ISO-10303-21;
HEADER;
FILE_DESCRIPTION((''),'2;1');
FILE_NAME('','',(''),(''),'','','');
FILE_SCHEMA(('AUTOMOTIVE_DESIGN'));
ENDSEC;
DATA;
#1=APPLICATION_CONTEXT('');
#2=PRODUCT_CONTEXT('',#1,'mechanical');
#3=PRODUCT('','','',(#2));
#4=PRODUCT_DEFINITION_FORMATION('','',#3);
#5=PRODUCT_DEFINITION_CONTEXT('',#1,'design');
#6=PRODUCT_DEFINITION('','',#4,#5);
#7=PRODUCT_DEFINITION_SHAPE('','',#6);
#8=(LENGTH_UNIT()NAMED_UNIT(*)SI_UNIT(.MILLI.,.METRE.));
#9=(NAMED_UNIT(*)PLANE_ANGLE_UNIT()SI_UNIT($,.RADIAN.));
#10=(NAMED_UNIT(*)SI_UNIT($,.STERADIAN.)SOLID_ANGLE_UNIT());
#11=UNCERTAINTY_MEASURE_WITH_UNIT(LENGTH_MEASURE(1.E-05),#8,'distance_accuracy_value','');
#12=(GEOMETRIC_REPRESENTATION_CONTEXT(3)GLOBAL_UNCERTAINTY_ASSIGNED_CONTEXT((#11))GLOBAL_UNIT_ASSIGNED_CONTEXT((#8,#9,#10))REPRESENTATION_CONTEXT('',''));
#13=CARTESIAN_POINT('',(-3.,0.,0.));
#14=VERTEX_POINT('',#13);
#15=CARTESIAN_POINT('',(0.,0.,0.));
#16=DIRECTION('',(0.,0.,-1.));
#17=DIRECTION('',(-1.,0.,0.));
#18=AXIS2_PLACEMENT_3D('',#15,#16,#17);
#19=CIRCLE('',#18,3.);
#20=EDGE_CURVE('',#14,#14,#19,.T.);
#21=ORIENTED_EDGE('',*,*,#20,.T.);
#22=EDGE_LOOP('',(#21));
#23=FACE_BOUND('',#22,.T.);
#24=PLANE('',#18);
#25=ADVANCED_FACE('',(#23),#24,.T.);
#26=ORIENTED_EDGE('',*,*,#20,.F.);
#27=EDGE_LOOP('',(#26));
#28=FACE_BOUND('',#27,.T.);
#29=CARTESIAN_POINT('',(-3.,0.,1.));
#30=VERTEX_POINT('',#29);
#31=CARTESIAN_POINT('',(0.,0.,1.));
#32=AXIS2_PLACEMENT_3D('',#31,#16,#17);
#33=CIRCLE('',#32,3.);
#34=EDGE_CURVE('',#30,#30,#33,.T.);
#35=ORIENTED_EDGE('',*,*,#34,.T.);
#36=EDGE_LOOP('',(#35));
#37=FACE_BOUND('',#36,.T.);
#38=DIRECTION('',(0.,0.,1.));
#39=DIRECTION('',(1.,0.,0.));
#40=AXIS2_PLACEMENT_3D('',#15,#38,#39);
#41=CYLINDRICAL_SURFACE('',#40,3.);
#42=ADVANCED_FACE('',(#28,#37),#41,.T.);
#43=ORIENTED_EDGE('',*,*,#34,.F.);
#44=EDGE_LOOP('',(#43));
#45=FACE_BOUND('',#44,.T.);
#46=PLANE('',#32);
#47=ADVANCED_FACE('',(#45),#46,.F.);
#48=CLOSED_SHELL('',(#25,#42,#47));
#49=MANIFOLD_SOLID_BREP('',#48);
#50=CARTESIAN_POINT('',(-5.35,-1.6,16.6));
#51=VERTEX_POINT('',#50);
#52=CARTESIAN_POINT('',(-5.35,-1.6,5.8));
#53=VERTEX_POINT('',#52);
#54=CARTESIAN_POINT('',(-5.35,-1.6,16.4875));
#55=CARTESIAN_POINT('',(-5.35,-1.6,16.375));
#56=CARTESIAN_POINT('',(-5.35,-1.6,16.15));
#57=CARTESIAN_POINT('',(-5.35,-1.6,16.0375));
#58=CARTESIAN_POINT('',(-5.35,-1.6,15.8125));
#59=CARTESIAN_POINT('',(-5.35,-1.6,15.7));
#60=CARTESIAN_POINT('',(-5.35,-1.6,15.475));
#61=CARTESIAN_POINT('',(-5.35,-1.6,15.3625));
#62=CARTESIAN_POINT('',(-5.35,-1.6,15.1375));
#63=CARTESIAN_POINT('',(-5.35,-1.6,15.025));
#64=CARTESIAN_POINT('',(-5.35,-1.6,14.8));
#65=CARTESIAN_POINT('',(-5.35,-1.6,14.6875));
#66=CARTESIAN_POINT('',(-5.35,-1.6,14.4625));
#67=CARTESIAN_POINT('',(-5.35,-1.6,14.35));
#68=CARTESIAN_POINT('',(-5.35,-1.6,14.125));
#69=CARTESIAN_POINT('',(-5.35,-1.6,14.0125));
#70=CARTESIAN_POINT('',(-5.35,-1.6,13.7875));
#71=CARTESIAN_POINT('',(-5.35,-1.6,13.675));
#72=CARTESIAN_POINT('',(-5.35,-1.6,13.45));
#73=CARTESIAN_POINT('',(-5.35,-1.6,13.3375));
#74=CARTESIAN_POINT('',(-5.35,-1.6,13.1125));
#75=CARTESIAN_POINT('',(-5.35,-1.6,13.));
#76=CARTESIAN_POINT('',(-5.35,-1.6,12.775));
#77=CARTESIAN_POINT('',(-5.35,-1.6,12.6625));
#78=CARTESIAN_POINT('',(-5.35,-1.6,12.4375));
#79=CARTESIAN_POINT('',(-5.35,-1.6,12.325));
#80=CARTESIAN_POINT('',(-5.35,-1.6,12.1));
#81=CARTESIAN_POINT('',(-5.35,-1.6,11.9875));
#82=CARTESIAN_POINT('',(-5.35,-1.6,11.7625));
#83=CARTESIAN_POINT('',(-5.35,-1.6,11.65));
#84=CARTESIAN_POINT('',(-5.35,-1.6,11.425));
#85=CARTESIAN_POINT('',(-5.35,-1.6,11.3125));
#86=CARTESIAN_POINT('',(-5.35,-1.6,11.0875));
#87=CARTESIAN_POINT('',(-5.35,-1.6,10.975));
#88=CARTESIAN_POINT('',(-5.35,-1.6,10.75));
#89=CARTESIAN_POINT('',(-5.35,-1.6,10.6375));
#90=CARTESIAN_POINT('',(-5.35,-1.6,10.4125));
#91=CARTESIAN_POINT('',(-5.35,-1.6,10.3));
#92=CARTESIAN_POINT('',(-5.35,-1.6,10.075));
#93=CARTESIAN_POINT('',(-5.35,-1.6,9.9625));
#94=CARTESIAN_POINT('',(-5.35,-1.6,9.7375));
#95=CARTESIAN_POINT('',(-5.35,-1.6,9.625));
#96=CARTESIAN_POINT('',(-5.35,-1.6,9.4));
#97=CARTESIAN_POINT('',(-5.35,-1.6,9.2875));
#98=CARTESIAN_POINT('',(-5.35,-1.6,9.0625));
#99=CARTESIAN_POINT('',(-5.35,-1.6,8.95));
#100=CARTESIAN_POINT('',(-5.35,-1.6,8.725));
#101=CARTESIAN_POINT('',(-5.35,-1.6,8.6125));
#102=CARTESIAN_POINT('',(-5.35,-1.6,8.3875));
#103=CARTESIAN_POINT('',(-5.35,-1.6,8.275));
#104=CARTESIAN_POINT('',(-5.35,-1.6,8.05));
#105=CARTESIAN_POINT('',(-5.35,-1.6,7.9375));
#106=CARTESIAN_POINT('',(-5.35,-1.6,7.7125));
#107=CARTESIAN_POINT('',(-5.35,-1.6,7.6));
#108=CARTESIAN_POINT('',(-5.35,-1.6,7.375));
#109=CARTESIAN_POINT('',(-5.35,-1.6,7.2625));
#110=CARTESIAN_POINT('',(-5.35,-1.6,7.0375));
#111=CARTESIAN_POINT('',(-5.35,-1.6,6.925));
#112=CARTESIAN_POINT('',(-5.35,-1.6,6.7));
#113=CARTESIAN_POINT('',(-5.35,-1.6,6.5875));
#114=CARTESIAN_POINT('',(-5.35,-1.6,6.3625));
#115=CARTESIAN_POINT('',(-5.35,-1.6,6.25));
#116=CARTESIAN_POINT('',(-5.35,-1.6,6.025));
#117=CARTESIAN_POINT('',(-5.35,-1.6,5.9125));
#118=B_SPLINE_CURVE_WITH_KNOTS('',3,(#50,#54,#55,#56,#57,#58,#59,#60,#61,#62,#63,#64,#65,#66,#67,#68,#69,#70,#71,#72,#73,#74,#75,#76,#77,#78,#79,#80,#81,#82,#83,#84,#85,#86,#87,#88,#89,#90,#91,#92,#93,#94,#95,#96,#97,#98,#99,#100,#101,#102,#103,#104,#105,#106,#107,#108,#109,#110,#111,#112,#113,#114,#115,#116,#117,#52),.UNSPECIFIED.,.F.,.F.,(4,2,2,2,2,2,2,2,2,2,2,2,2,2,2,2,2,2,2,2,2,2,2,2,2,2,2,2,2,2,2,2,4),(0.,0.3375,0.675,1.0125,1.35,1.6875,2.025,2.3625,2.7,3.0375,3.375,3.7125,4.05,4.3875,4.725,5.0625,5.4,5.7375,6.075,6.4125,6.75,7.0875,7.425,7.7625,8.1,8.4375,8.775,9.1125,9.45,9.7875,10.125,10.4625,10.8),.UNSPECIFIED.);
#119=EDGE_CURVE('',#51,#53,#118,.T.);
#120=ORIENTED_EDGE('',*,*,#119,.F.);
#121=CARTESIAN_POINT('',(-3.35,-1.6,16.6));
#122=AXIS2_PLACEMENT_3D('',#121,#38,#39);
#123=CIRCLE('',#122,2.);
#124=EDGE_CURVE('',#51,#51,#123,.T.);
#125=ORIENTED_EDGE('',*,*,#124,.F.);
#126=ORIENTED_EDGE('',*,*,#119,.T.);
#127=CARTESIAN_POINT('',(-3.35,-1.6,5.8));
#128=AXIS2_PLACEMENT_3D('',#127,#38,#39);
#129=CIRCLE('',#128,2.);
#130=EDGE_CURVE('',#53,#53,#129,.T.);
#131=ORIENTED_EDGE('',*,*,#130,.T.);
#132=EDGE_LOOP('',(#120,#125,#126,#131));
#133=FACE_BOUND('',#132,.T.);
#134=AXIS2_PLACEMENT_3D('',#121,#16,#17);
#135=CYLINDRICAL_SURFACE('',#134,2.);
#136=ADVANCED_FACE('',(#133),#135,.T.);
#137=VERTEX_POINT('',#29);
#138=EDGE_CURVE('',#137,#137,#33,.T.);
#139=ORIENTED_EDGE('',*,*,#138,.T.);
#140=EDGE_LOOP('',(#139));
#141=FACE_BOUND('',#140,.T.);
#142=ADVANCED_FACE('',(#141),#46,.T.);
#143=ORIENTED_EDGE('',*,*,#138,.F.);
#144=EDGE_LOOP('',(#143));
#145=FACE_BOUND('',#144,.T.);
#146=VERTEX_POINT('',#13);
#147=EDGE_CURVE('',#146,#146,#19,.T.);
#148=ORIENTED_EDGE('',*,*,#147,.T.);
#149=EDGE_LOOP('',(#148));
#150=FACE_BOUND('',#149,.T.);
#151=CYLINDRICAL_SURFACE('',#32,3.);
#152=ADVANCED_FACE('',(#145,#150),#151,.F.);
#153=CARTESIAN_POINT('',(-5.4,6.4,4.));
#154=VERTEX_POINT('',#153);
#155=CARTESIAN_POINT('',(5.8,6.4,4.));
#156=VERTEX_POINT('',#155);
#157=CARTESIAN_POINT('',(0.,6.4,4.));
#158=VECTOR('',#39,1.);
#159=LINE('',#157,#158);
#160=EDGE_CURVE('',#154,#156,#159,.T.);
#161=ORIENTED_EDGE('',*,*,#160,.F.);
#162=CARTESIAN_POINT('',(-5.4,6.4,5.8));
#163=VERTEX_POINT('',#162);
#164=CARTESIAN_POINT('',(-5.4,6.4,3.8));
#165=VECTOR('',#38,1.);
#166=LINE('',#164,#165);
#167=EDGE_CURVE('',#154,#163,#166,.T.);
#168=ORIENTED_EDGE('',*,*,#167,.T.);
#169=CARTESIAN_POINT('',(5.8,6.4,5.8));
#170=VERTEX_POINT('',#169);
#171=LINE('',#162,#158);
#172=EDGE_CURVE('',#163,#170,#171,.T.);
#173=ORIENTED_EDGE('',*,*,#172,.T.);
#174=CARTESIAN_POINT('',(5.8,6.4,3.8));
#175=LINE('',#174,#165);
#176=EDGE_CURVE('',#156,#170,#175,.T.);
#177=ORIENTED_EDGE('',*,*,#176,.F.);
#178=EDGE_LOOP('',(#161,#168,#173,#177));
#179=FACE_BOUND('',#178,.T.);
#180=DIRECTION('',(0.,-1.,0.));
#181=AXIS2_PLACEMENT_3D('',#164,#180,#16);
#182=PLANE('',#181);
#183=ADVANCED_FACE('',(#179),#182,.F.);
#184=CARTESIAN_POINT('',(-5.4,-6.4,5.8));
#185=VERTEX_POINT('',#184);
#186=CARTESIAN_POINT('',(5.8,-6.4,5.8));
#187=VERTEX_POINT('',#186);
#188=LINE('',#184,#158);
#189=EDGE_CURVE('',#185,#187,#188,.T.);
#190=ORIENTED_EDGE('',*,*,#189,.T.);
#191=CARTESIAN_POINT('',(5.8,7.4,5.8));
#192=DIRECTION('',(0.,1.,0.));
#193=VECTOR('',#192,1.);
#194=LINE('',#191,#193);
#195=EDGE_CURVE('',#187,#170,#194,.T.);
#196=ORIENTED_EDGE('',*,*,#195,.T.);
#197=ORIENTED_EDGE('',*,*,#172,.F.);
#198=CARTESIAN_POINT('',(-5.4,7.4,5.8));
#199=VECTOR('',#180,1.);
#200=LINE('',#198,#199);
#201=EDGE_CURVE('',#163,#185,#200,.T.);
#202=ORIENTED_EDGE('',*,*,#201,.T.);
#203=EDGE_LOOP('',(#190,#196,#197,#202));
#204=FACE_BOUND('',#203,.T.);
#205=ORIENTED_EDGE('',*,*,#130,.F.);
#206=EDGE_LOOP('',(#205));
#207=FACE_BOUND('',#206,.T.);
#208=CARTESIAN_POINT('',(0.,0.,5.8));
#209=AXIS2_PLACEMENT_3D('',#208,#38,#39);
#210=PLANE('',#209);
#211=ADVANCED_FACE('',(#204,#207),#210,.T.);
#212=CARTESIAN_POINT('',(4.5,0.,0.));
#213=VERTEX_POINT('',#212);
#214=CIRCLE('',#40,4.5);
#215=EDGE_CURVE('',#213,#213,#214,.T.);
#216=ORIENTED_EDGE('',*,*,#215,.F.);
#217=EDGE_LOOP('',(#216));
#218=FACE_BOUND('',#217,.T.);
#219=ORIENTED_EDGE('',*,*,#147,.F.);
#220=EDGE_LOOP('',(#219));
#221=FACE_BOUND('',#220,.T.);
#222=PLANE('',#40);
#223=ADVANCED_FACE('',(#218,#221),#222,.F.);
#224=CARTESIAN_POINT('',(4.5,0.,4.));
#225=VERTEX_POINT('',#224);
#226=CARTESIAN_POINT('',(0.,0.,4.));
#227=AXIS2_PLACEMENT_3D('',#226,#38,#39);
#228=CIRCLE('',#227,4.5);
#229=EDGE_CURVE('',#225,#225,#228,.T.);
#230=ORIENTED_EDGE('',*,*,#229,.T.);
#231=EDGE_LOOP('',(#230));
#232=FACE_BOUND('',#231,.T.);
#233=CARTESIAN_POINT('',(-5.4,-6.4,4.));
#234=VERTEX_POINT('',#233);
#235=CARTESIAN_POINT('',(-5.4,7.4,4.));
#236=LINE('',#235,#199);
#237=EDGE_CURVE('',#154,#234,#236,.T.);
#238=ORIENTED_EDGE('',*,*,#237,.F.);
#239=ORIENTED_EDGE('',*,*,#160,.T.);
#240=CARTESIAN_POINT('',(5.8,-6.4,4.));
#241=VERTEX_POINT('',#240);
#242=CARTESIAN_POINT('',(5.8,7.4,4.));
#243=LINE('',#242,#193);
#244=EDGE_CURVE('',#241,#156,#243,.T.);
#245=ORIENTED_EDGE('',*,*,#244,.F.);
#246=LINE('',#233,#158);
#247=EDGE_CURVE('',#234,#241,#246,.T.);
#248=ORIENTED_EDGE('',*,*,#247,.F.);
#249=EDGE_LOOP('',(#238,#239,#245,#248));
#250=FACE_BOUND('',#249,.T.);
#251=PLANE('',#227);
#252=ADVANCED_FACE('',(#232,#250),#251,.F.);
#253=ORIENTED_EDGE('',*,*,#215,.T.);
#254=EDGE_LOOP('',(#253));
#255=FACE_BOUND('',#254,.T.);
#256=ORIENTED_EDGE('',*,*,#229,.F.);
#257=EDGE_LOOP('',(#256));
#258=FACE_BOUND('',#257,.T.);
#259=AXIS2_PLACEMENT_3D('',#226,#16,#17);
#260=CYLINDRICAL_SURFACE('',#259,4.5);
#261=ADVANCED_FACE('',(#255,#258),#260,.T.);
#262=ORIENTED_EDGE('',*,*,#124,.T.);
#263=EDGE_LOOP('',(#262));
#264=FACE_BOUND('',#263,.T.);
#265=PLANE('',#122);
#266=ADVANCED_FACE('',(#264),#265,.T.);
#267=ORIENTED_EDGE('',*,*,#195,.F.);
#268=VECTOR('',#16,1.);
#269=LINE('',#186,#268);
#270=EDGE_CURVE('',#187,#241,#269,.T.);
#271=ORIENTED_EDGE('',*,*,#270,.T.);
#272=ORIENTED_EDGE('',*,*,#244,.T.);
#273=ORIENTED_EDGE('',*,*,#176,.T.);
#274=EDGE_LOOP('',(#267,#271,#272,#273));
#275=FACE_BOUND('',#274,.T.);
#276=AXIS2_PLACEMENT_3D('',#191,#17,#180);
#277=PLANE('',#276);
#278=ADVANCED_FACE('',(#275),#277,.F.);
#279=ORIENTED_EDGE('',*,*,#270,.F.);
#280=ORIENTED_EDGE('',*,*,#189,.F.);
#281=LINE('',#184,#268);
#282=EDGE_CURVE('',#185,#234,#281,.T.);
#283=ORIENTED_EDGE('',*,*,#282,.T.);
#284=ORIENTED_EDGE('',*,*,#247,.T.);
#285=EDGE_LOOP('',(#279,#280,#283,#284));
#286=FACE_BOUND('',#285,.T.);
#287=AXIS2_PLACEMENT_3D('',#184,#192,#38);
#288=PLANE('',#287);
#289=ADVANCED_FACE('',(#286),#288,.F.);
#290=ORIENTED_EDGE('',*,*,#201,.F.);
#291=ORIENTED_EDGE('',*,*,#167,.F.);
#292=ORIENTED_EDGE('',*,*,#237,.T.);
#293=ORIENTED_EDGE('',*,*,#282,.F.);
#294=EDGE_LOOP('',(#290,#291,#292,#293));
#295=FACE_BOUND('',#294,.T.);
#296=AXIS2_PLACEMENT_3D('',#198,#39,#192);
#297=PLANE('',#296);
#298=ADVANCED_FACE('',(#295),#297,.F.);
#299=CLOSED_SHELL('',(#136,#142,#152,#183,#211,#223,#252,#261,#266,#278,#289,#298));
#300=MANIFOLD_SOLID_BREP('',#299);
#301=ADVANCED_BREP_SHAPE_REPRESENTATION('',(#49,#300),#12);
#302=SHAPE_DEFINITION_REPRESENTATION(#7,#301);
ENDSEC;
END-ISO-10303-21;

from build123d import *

# Parameters (mm, degrees)
SKETCH_1_R          = 4.5
EXTRUDE_1_DEPTH     = 4
SKETCH_2_W          = 11.2
SKETCH_2_H          = 13.8
EXTRUDE_2_DEPTH     = 1.8
SKETCH_3_R          = 3
CUT_EXTRUDE_1_DEPTH = 1
SKETCH_5_R          = 3
BLACK_DEPTH         = 1
SKETCH_4_R          = 2
EXTRUDE_5_DEPTH     = 10.8
SKETCH_6_W          = 11.2
SKETCH_6_H          = 1
CUT_EXTRUDE_2_DEPTH = 2


with BuildPart() as part:
    # Эскиз1 → Бобышка-Вытянуть1 (new body)
    with BuildSketch(Plane.XY):
        Circle(SKETCH_1_R)
    extrude(amount=EXTRUDE_1_DEPTH)

    # Эскиз2 → Бобышка-Вытянуть2 (add)
    with BuildSketch(Plane.XY.offset(4)):
        with Locations((0.2, 0.5)):
            Rectangle(SKETCH_2_W, SKETCH_2_H)
    extrude(amount=EXTRUDE_2_DEPTH)

    # Эскиз3 → Вырез-Вытянуть1 (cut)
    with BuildSketch(Plane(origin=(0, 0, 0), x_dir=(-1, 0, 0), z_dir=(0, 0, -1))):
        Circle(SKETCH_3_R)
    extrude(amount=-CUT_EXTRUDE_1_DEPTH, mode=Mode.SUBTRACT)

    # Эскиз4 → Бобышка-Вытянуть5 (add)
    with BuildSketch(Plane.XY.offset(5.8)):
        with Locations((-3.35, -1.6)):
            Circle(SKETCH_4_R)
    extrude(amount=EXTRUDE_5_DEPTH)

    # Эскиз6 → Вырез-Вытянуть2 (cut)
    with BuildSketch(Plane.XY.offset(5.8)):
        with Locations((0.2, 6.9)):
            Rectangle(SKETCH_6_W, SKETCH_6_H)
    extrude(amount=-CUT_EXTRUDE_2_DEPTH, mode=Mode.SUBTRACT)


with BuildPart() as body_2:
    # Эскиз5 → black (new body)
    with BuildSketch(Plane(origin=(0, 0, 1), x_dir=(-1, 0, 0), z_dir=(0, 0, -1))):
        Circle(SKETCH_5_R)
    extrude(amount=BLACK_DEPTH)


solid = Compound([part.part, body_2.part])
